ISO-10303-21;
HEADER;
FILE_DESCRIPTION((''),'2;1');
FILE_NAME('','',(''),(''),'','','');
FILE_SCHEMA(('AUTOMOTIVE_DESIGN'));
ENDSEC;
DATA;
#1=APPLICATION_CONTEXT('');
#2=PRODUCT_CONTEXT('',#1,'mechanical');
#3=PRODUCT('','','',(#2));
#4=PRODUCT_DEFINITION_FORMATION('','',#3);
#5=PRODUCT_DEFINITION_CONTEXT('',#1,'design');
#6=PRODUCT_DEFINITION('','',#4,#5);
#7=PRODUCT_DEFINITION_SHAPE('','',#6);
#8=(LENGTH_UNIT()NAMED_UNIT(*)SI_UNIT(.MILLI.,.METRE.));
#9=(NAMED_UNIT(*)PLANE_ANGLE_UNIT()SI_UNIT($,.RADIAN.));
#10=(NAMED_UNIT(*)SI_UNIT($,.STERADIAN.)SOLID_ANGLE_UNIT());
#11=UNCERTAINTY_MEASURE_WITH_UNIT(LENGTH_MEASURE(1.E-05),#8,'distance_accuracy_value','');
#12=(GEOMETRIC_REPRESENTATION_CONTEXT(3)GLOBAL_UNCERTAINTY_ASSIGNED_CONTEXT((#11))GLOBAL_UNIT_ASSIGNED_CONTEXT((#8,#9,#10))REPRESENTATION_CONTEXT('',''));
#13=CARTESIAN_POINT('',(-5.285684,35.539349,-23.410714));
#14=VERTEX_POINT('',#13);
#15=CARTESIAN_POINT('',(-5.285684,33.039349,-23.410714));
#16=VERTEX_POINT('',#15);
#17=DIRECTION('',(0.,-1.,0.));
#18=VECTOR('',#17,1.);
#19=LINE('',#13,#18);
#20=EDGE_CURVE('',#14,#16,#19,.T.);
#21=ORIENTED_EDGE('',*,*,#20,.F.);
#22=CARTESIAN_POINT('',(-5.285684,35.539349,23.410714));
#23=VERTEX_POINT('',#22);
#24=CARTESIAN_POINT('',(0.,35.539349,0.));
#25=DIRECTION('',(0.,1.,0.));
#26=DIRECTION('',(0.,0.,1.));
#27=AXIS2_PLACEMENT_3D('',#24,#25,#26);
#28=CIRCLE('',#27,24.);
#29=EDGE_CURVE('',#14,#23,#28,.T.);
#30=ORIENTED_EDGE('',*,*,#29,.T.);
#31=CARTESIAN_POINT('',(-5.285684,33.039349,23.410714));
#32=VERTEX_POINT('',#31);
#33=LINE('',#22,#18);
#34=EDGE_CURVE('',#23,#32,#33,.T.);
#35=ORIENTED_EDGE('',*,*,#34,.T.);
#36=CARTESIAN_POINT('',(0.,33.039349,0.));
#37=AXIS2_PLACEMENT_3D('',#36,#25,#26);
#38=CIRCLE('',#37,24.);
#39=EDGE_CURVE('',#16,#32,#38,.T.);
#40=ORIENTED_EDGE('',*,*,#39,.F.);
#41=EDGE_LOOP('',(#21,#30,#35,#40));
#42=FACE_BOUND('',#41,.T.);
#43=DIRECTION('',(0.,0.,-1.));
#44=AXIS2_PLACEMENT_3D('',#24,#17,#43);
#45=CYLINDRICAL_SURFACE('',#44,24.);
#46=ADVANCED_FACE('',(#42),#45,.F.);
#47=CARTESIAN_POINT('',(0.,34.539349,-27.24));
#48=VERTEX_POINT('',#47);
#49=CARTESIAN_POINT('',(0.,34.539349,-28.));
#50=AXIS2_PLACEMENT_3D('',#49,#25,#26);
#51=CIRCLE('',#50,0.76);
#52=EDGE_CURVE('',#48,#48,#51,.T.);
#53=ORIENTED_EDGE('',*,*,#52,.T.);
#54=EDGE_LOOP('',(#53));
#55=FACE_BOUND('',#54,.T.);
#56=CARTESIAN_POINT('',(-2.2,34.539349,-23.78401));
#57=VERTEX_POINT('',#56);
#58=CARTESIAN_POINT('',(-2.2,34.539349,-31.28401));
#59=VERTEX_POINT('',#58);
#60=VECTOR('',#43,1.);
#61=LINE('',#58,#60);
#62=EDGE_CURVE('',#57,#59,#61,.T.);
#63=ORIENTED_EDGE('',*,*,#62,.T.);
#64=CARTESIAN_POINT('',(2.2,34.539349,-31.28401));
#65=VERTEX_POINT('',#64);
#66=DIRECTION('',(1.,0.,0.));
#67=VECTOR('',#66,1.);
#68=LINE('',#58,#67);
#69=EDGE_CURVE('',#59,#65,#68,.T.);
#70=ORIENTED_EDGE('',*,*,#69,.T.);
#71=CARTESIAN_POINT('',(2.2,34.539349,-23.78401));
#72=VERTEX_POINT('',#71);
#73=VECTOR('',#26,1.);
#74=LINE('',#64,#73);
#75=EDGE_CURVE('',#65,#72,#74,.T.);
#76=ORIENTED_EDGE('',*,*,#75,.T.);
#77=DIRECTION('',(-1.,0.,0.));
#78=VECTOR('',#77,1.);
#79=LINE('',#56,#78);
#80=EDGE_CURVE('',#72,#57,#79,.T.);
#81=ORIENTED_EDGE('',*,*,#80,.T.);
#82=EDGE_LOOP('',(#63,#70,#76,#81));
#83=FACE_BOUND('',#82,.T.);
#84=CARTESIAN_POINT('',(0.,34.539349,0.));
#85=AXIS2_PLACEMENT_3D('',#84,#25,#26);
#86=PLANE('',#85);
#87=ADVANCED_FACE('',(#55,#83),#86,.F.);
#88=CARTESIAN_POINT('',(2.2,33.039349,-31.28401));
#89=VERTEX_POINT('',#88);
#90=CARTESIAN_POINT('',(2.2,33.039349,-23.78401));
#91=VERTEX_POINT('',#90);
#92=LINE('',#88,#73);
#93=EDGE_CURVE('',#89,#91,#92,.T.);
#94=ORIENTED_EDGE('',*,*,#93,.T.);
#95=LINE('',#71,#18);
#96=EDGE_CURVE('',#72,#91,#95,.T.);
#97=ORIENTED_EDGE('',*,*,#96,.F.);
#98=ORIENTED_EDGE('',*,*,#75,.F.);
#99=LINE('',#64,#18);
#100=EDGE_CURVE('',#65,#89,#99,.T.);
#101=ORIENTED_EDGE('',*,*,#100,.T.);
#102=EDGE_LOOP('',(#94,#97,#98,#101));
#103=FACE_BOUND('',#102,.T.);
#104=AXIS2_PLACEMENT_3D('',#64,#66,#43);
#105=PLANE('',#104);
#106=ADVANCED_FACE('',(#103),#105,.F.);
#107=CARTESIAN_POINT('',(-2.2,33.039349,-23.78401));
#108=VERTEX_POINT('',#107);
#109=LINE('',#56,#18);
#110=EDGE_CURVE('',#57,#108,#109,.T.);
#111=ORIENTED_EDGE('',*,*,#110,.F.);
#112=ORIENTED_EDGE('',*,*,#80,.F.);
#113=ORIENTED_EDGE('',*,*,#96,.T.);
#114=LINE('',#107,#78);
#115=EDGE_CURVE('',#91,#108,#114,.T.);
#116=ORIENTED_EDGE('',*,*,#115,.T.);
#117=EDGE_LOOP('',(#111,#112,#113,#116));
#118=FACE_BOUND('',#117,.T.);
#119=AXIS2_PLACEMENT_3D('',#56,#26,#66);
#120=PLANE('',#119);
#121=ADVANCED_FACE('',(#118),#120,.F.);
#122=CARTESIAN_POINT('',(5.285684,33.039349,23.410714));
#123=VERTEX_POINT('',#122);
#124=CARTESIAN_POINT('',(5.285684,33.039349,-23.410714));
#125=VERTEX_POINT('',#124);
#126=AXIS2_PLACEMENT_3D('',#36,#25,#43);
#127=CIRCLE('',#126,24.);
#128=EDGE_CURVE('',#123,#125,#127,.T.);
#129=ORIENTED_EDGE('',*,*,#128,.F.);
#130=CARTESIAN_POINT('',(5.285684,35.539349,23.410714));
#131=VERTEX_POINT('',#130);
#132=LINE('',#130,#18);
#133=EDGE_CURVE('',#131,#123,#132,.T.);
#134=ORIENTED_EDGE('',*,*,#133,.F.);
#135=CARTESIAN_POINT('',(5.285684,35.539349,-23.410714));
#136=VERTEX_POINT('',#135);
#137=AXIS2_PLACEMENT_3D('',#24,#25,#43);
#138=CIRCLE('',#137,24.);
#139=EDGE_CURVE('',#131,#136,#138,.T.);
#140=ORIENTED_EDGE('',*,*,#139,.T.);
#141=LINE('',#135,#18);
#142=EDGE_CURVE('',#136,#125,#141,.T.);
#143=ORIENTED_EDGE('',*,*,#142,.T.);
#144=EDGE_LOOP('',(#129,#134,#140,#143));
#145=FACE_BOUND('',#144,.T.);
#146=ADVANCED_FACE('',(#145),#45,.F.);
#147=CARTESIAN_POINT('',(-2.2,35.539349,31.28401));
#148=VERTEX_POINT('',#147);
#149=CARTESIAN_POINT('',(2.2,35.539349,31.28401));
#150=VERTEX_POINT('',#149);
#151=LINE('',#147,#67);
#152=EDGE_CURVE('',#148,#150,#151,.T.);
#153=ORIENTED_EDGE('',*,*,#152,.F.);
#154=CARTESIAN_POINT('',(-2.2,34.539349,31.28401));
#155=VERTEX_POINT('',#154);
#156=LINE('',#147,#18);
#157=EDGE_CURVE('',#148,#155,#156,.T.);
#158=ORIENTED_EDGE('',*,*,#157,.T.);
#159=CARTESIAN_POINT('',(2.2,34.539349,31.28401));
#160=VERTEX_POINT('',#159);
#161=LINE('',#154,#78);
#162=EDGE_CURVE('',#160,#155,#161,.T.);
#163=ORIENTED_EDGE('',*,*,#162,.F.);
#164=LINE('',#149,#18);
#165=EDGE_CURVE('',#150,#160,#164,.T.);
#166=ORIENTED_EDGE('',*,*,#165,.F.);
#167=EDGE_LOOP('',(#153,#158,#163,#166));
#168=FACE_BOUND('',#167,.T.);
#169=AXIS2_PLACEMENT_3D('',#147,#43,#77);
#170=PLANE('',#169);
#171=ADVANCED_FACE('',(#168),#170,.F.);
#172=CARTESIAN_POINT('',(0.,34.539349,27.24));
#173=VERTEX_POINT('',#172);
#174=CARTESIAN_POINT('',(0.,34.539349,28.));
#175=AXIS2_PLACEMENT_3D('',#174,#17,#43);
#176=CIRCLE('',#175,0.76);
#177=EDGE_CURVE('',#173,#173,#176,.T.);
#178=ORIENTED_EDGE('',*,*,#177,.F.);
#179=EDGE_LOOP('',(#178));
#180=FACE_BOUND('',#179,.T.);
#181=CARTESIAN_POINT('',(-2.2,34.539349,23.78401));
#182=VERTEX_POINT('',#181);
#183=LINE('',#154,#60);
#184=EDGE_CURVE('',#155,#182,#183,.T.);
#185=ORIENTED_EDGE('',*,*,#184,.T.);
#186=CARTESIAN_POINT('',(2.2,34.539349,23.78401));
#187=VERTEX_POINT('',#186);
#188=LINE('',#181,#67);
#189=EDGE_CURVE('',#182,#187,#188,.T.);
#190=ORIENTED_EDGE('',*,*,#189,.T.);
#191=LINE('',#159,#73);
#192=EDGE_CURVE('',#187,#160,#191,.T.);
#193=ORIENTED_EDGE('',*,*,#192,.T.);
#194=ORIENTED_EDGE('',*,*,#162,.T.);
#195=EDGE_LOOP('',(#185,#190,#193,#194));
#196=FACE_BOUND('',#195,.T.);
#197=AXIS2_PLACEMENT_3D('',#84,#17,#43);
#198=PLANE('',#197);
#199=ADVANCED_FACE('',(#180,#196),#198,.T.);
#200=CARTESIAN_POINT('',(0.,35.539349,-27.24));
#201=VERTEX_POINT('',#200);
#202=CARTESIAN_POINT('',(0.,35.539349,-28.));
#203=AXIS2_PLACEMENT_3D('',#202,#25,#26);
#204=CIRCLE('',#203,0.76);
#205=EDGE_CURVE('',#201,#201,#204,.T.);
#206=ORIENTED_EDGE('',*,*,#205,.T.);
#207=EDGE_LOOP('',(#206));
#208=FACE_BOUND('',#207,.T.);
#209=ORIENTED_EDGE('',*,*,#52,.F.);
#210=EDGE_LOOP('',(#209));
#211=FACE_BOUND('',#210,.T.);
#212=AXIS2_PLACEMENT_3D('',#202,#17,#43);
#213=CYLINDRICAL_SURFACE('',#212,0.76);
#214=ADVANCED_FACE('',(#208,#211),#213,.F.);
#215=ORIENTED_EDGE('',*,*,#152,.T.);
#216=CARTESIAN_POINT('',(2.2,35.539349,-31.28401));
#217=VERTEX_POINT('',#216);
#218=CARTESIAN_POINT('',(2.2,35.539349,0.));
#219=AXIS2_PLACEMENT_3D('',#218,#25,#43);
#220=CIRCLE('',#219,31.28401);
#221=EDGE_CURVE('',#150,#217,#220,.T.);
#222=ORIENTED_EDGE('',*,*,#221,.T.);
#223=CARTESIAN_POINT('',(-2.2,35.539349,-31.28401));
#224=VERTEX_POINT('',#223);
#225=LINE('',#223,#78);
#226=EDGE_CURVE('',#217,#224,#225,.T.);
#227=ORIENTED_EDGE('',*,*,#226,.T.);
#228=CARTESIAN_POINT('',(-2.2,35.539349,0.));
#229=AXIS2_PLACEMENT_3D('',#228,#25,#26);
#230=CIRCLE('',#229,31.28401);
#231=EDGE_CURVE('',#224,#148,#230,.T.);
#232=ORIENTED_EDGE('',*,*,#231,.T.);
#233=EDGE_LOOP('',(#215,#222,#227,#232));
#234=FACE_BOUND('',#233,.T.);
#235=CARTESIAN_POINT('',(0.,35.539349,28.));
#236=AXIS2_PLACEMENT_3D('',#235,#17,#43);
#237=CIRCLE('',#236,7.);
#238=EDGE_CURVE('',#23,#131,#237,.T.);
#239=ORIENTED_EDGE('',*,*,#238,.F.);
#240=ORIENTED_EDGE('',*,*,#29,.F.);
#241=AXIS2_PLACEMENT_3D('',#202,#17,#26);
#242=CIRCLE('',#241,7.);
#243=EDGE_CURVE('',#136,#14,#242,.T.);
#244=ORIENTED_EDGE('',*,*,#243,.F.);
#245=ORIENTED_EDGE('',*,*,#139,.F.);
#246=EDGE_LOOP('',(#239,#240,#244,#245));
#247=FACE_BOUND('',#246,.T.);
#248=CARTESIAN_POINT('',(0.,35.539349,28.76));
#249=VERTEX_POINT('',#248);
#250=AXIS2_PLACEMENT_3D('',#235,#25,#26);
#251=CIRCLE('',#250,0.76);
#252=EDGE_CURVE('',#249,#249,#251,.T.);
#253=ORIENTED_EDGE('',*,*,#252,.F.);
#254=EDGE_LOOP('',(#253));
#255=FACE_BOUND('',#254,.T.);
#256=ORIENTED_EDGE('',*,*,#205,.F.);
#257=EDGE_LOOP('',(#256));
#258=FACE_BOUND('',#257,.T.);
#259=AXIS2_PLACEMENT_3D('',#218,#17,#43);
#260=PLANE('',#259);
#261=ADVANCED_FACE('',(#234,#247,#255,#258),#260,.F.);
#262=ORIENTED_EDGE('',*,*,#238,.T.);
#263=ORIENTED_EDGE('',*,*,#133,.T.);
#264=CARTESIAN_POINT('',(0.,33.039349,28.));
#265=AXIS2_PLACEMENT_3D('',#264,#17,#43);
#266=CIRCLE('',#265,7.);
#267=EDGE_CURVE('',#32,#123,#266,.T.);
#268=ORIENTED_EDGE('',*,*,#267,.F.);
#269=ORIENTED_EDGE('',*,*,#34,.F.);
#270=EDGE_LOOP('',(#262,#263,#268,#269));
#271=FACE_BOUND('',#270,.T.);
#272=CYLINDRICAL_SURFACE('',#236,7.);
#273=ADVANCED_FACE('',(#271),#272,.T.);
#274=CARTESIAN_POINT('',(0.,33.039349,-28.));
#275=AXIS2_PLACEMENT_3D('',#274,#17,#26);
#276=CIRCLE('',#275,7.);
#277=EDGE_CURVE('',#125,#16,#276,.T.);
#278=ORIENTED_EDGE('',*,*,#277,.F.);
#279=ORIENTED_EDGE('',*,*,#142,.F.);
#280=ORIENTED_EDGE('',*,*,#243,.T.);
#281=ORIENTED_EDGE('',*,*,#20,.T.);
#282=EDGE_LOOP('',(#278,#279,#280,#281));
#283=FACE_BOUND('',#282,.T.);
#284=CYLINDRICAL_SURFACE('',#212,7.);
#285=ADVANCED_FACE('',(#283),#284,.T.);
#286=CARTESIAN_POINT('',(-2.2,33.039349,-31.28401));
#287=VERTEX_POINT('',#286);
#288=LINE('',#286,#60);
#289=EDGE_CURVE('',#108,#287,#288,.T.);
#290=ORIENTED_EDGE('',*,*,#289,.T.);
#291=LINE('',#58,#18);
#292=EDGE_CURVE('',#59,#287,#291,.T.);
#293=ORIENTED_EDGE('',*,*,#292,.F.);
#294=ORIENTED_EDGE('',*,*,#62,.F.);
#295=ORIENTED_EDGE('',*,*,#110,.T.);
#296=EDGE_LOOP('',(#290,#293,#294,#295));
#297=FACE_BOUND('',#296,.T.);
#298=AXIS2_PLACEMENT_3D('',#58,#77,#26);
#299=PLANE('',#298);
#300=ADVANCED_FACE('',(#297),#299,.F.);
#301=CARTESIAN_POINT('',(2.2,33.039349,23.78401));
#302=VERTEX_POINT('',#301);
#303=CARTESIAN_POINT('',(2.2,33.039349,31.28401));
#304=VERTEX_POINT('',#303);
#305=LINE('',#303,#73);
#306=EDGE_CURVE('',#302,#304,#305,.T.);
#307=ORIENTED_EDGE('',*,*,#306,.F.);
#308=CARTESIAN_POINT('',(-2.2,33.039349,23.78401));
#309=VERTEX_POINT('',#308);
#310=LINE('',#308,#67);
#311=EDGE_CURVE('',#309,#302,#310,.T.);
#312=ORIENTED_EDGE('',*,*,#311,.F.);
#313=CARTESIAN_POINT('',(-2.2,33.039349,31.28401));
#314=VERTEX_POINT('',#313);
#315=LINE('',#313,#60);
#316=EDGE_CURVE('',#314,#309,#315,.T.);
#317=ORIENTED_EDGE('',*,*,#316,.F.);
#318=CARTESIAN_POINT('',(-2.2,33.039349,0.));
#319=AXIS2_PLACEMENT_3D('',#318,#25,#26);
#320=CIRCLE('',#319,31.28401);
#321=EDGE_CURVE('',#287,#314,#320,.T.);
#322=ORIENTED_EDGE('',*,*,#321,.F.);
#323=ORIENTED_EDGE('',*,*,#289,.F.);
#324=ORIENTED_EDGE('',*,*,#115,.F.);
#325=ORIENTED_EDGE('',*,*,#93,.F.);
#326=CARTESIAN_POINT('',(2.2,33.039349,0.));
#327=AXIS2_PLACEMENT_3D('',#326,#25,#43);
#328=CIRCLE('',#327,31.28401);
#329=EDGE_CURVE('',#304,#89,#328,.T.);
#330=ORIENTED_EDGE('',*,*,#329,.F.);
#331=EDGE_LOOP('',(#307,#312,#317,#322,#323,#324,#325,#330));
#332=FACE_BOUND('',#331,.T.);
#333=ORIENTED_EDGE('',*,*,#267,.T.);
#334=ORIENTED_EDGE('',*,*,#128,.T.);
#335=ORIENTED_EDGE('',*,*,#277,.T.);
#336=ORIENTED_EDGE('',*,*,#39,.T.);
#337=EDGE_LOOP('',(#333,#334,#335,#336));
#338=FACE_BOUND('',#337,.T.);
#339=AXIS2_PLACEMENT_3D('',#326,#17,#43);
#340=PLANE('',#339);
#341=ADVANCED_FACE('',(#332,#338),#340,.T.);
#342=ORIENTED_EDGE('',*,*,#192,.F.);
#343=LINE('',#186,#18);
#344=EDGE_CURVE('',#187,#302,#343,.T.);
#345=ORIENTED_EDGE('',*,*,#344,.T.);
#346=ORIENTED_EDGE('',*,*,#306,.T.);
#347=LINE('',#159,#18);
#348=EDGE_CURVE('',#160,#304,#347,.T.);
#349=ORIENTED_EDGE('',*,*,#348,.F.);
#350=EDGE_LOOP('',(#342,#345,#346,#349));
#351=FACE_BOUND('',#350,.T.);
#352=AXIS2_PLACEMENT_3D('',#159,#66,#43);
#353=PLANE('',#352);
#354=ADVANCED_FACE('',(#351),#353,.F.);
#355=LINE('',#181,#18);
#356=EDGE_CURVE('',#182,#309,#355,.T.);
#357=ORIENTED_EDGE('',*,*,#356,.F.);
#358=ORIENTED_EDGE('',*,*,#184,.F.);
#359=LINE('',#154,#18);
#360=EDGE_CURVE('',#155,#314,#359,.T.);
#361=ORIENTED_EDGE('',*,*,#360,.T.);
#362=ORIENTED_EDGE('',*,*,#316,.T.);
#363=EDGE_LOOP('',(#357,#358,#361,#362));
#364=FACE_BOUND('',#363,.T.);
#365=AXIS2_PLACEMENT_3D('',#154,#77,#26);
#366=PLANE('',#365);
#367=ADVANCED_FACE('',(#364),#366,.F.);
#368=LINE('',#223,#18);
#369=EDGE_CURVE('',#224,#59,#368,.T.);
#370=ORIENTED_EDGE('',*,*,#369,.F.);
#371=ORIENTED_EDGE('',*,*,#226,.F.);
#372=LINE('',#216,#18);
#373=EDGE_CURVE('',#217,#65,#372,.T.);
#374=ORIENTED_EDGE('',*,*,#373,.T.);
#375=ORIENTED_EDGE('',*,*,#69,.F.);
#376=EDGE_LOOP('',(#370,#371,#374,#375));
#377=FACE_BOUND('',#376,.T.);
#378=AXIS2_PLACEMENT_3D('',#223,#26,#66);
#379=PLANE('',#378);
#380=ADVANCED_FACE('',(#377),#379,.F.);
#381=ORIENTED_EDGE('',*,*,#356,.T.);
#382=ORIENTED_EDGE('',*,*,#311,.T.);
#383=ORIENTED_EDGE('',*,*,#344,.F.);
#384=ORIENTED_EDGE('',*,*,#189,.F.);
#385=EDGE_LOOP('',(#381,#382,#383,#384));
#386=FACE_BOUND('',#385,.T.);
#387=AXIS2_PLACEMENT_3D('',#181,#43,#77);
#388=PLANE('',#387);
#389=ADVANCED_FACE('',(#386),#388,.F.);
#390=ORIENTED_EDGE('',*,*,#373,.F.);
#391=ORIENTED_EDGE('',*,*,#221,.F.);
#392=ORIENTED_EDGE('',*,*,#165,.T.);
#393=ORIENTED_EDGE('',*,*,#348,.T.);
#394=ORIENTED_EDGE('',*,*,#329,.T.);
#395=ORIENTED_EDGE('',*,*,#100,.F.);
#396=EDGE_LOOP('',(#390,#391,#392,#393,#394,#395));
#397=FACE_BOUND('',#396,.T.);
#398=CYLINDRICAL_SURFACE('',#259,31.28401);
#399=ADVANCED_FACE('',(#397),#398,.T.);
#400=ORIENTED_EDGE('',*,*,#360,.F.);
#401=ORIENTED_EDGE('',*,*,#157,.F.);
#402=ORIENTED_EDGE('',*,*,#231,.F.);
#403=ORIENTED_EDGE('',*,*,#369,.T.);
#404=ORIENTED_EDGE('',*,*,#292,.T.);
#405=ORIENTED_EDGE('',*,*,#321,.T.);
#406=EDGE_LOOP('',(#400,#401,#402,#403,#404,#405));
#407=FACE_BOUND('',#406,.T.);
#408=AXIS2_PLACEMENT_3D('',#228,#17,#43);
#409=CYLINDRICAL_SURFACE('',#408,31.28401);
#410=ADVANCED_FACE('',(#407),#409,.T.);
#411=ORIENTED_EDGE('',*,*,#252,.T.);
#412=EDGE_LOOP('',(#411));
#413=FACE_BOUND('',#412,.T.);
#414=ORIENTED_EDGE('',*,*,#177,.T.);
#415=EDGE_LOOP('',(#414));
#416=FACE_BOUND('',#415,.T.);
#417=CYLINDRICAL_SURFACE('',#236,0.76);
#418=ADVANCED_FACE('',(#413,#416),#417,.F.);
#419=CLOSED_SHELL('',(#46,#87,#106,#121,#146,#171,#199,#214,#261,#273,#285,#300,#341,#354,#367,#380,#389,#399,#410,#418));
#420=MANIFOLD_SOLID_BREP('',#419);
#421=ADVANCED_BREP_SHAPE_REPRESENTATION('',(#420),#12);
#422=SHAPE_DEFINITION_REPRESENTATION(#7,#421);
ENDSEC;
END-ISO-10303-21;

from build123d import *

# Parameters (mm, degrees)
SKETCH89_R          = 0.76
BOSS_EXTRUDE1_DEPTH = 2.5
SKETCH91_W          = 4.4
SKETCH91_H          = 7.5
CUT_EXTRUDE1_DEPTH  = 1.5


with BuildPart() as part:
    # Sketch89 → Boss-Extrude1 (new body)
    with BuildSketch(Plane(origin=(0, 33.039348741, 0), x_dir=(1, 0, 0), z_dir=(0, 1, 0))):
        with BuildLine():
            Line((-2.2, 31.284010223), (2.2, 31.284010223))
            ThreePointArc((2.2, 31.284010223), (33.484010223, 0), (2.2, -31.284010223))
            Line((2.2, -31.284010223), (-2.2, -31.284010223))
            ThreePointArc((-2.2, -31.284010223), (-33.484010223, 0), (-2.2, 31.284010223))
        make_face()
        with Locations(Location((0, 28, 0), (0, 0, 270))):
            Circle(SKETCH89_R, mode=Mode.SUBTRACT)
        with Locations(Location((0, -28, 0), (0, 0, 270))):
            Circle(SKETCH89_R, mode=Mode.SUBTRACT)
        with BuildLine():
            ThreePointArc((-5.285684122, 23.410714286), (0, 21), (5.285684122, 23.410714286))
            ThreePointArc((5.285684122, 23.410714286), (24, 0), (5.285684122, -23.410714286))
            ThreePointArc((5.285684122, -23.410714286), (0, -21), (-5.285684122, -23.410714286))
            ThreePointArc((-5.285684122, -23.410714286), (-24, 0), (-5.285684122, 23.410714286))
        make_face(mode=Mode.SUBTRACT)
    extrude(amount=BOSS_EXTRUDE1_DEPTH)

    # Sketch91 → Cut-Extrude1 (cut)
    with BuildSketch(Plane.XZ.offset(-33.039348741)):
        with Locations((0, 27.534010223)):
            Rectangle(SKETCH91_W, SKETCH91_H)
        with Locations((0, -27.534010223)):
            Rectangle(SKETCH91_W, SKETCH91_H)
    extrude(amount=-CUT_EXTRUDE1_DEPTH, mode=Mode.SUBTRACT)


solid = part.part
